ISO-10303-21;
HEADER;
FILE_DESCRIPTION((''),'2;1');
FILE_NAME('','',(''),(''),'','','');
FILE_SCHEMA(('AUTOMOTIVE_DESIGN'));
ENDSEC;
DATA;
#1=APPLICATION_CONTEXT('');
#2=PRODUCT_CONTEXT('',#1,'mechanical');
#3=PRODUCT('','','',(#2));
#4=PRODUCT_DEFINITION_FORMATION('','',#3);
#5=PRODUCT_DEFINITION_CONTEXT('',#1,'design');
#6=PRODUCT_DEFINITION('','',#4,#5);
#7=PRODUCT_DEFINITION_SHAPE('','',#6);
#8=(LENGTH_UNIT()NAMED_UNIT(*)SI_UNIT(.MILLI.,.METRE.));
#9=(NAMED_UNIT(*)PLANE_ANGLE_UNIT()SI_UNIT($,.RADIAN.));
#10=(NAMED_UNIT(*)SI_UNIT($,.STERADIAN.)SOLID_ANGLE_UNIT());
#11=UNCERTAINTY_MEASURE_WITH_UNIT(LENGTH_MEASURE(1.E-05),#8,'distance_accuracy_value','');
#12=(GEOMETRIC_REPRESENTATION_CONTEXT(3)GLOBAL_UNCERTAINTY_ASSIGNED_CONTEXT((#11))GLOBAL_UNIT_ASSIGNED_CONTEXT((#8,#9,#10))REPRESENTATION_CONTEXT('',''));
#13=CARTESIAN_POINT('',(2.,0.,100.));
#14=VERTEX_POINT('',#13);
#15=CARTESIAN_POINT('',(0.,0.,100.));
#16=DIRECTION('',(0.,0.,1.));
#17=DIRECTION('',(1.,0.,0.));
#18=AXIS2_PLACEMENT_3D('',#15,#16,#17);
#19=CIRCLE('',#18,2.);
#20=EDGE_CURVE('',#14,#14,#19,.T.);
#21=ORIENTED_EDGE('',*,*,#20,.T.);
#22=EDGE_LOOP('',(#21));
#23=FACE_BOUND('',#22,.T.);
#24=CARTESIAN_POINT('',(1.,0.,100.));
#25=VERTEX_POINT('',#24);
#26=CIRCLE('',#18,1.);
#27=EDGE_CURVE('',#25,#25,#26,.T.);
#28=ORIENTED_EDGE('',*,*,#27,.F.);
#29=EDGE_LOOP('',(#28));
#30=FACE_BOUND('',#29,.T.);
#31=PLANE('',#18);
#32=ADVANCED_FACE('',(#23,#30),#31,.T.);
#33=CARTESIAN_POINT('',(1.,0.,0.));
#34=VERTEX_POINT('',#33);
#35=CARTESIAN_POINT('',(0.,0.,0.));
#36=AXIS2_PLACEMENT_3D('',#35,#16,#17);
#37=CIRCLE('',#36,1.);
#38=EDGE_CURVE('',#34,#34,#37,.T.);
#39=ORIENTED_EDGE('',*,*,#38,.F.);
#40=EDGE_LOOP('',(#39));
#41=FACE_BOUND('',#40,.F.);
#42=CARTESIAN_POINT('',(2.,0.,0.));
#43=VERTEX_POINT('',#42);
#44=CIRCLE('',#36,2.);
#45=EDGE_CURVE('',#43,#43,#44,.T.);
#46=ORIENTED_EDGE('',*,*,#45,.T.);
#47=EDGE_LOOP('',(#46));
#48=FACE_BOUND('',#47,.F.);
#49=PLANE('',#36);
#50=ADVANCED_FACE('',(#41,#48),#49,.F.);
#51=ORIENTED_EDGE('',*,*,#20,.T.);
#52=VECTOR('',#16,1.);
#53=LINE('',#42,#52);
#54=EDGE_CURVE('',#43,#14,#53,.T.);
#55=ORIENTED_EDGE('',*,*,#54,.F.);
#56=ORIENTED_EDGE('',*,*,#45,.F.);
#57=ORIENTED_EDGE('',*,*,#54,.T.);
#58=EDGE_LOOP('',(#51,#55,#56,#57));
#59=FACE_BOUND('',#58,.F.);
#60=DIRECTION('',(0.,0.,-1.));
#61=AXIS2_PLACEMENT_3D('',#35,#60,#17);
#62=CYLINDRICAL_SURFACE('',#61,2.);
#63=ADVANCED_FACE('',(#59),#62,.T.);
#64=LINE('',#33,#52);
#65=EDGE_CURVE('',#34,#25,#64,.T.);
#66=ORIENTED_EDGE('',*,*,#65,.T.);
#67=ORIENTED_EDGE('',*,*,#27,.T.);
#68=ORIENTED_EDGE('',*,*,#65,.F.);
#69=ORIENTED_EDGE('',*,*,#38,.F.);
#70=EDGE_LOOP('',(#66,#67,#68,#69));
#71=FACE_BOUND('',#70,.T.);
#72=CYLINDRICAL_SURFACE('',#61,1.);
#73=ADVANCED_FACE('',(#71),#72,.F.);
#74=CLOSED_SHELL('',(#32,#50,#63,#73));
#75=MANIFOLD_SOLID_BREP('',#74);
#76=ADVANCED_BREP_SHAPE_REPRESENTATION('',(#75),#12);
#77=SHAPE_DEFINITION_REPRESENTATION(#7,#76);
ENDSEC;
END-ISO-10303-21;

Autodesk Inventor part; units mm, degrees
ref_plane "YZ Plane" through (0, 0, 0) normal (1, 0, 0) x (0, 1, 0)
ref_plane "XZ Plane" through (0, 0, 0) normal (0, 1, 0) x (-1, 0, 0)
ref_plane "XY Plane" through (0, 0, 0) normal (0, 0, 1) x (1, 0, 0)
sketch "Sketch1" plane through (0, 0, 0) normal (0, 0, 1) x (1, 0, 0)
  circle A0 centre (0, 0) radius 1
  circle A1 centre (0, 0) radius 2
  dimension "d0" = 2
  dimension "d1" = 4
extrude "Extrusion1" add sketch "Sketch1" along normal blind 100
properties part number "E2 Teflon" material "Nylon 6/6"
